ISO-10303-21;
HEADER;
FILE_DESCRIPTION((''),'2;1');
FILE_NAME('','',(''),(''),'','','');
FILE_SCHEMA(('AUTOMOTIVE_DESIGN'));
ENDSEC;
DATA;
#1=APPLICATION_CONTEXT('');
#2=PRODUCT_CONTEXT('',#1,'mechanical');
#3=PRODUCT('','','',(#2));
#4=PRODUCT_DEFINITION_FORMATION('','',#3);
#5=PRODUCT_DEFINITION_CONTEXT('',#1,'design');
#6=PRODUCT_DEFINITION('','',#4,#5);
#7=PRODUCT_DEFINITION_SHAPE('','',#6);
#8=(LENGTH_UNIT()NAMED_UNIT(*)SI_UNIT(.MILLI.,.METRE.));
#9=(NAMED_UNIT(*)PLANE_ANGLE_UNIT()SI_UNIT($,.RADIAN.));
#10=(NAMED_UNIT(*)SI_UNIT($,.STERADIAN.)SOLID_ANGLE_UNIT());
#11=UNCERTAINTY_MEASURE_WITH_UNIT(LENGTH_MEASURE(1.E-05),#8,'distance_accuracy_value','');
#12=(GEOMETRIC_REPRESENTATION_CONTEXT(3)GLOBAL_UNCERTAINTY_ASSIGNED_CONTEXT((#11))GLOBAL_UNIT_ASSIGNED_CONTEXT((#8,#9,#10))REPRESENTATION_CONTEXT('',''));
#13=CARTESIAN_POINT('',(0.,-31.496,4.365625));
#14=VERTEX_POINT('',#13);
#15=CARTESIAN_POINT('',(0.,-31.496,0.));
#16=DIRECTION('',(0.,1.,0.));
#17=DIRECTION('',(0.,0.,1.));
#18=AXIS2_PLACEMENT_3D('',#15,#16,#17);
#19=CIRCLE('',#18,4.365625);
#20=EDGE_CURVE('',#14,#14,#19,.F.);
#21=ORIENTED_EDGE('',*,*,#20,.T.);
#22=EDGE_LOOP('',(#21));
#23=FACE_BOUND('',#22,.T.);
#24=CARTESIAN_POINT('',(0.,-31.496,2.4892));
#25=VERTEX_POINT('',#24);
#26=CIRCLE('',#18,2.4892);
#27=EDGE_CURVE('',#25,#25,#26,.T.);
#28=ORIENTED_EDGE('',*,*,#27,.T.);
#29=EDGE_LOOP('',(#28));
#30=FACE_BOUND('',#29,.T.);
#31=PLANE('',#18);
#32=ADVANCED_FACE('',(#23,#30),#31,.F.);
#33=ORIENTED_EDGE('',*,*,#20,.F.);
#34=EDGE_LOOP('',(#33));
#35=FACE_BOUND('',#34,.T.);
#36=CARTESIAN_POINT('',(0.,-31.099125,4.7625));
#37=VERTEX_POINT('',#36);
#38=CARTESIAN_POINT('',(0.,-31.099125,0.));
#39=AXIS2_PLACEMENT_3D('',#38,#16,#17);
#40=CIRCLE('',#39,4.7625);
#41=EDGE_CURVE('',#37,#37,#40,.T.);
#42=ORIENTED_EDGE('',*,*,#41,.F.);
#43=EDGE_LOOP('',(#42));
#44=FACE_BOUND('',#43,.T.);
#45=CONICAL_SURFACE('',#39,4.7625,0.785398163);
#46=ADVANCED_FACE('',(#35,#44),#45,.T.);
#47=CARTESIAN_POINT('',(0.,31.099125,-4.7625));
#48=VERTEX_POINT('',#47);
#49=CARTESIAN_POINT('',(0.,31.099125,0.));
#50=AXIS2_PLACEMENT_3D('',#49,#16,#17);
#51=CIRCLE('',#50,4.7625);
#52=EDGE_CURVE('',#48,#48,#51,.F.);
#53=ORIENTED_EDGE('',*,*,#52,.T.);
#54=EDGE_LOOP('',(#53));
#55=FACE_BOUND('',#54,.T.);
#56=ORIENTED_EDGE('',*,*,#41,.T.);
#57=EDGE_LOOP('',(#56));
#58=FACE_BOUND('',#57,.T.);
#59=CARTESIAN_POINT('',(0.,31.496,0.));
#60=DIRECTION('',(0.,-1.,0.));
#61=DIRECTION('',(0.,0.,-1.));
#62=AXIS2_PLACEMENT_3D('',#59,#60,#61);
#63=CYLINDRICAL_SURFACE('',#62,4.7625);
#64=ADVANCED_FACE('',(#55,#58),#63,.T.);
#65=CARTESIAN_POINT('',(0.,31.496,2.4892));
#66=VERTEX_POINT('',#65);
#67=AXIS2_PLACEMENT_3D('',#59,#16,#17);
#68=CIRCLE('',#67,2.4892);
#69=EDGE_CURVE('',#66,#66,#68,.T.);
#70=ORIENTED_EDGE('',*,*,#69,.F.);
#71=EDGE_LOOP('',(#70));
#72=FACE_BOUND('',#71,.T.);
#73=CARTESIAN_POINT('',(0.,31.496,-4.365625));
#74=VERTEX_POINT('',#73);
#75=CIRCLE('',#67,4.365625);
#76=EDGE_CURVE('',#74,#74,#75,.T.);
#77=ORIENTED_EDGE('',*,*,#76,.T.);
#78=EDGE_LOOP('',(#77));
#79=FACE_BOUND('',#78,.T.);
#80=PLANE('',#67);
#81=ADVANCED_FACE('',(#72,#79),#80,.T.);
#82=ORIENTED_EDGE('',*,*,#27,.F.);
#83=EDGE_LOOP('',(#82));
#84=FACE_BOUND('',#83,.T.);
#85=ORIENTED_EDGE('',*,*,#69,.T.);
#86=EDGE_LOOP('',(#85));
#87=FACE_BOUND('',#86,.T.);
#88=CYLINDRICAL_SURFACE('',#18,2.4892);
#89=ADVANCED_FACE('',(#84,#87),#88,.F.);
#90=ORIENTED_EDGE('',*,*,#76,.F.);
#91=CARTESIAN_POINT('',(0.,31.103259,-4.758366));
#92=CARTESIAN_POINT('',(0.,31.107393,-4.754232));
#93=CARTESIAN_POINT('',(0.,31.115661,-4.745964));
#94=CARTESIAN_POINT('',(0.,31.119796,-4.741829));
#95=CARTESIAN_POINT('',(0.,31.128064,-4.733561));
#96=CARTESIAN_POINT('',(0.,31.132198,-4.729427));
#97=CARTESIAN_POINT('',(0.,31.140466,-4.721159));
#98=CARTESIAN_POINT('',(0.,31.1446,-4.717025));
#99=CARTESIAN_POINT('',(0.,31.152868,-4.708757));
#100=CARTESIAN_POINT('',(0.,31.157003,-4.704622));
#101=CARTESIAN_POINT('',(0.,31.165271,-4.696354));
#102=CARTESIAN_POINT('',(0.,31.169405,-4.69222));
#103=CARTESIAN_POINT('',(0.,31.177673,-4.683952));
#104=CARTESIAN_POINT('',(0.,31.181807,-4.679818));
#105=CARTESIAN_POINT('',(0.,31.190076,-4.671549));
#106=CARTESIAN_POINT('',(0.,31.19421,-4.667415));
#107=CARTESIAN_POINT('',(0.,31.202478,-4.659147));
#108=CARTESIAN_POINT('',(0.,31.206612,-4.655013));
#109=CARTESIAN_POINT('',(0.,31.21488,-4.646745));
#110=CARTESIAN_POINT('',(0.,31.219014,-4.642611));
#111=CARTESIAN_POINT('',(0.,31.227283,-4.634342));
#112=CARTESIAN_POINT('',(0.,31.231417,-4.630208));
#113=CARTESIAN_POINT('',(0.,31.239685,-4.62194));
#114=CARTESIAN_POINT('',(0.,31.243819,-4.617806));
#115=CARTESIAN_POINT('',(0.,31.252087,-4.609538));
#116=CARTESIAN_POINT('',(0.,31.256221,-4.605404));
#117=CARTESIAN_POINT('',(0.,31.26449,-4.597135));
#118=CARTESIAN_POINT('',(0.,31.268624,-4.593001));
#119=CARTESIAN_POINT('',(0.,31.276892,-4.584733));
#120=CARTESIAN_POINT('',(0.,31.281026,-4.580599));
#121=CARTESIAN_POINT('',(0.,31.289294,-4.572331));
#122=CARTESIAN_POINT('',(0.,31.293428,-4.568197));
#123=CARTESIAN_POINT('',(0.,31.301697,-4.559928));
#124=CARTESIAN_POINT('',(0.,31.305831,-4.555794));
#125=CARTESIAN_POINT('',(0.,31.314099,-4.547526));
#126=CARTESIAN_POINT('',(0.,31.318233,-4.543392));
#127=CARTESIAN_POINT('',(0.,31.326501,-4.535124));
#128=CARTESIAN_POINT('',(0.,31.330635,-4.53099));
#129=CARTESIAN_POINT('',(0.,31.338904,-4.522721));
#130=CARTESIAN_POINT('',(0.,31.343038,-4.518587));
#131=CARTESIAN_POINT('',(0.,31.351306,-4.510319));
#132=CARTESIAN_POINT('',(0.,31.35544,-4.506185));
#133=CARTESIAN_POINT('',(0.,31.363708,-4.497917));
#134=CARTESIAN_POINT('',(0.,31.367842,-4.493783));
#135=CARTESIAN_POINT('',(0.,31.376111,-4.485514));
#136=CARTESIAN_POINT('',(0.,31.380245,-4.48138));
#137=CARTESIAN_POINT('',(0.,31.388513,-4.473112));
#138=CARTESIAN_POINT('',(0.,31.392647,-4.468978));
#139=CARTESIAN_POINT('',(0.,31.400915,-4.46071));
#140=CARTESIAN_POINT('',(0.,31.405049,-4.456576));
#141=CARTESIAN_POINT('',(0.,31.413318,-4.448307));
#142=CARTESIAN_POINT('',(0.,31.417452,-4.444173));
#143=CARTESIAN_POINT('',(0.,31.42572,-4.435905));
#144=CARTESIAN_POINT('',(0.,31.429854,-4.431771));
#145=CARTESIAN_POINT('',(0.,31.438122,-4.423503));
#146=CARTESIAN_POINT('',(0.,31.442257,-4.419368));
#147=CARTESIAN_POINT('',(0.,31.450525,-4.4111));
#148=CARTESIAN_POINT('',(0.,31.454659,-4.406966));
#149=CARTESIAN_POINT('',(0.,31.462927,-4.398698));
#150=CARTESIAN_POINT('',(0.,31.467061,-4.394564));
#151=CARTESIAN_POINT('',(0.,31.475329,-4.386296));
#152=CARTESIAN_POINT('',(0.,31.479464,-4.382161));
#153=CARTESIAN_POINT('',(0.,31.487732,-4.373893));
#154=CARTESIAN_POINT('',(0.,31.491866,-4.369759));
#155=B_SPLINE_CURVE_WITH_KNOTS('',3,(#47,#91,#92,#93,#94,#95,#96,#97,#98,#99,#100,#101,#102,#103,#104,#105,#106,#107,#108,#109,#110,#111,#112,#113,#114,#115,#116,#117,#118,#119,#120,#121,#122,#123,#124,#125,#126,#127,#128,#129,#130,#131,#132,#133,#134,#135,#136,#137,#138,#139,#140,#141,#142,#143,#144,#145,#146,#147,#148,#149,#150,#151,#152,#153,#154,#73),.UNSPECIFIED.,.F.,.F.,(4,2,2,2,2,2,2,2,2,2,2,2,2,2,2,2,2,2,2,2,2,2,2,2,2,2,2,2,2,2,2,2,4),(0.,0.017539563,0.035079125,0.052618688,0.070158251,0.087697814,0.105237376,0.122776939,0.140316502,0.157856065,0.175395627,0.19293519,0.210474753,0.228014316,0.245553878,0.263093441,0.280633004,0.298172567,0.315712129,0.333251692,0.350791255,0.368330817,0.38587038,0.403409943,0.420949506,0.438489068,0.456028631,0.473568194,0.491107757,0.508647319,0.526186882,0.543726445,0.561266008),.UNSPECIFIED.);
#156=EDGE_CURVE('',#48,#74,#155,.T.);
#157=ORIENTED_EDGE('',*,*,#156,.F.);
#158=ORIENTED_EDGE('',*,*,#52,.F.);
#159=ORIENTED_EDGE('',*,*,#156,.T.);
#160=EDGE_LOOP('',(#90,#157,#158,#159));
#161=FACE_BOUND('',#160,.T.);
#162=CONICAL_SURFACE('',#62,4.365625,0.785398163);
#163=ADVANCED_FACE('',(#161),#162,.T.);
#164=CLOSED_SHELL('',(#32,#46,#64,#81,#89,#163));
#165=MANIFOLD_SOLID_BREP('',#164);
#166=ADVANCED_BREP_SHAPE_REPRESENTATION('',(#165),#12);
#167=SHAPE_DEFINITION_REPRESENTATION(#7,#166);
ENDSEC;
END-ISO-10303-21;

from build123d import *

# Parameters (mm, degrees)
CROQUIS2_R                = 4.7625
SALIENTE_EXTRUIR1_DEPTH   = 31.496
CHAFL_N1_SIZE             = 0.396875
CLEARANCE_HOLE_DEPTH      = 33.208086384
CLEARANCE_HOLE_DEPTH_BACK = 33.208086384
CROQUIS4_R                = 2.4892


with BuildPart() as part:
    # Croquis2 → Saliente-Extruir1 (new, symmetric)
    with BuildSketch(Plane(origin=(0, 0, 0), x_dir=(1, 0, 0), z_dir=(0, 1, 0))):
        Circle(CROQUIS2_R)
    extrude(amount=SALIENTE_EXTRUIR1_DEPTH, both=True)

    # Chaflán1
    chafl_n1_edges = [part.edges().sort_by_distance(p)[0] for p in [
        (-4.7625, -31.496, 0),
        (-4.7625, 31.496, 0),
    ]]
    chamfer(chafl_n1_edges, length=CHAFL_N1_SIZE)

    # Croquis4 → Clearance Hole (cut, two sides: drawn at the far end of the back side and taken through both)
    with BuildSketch(Plane(origin=(0, 0, 0), x_dir=(1, 0, 0), z_dir=(0, 1, 0)).offset(-CLEARANCE_HOLE_DEPTH_BACK)):
        Circle(CROQUIS4_R)
    extrude(amount=CLEARANCE_HOLE_DEPTH + CLEARANCE_HOLE_DEPTH_BACK, mode=Mode.SUBTRACT)


solid = part.part
